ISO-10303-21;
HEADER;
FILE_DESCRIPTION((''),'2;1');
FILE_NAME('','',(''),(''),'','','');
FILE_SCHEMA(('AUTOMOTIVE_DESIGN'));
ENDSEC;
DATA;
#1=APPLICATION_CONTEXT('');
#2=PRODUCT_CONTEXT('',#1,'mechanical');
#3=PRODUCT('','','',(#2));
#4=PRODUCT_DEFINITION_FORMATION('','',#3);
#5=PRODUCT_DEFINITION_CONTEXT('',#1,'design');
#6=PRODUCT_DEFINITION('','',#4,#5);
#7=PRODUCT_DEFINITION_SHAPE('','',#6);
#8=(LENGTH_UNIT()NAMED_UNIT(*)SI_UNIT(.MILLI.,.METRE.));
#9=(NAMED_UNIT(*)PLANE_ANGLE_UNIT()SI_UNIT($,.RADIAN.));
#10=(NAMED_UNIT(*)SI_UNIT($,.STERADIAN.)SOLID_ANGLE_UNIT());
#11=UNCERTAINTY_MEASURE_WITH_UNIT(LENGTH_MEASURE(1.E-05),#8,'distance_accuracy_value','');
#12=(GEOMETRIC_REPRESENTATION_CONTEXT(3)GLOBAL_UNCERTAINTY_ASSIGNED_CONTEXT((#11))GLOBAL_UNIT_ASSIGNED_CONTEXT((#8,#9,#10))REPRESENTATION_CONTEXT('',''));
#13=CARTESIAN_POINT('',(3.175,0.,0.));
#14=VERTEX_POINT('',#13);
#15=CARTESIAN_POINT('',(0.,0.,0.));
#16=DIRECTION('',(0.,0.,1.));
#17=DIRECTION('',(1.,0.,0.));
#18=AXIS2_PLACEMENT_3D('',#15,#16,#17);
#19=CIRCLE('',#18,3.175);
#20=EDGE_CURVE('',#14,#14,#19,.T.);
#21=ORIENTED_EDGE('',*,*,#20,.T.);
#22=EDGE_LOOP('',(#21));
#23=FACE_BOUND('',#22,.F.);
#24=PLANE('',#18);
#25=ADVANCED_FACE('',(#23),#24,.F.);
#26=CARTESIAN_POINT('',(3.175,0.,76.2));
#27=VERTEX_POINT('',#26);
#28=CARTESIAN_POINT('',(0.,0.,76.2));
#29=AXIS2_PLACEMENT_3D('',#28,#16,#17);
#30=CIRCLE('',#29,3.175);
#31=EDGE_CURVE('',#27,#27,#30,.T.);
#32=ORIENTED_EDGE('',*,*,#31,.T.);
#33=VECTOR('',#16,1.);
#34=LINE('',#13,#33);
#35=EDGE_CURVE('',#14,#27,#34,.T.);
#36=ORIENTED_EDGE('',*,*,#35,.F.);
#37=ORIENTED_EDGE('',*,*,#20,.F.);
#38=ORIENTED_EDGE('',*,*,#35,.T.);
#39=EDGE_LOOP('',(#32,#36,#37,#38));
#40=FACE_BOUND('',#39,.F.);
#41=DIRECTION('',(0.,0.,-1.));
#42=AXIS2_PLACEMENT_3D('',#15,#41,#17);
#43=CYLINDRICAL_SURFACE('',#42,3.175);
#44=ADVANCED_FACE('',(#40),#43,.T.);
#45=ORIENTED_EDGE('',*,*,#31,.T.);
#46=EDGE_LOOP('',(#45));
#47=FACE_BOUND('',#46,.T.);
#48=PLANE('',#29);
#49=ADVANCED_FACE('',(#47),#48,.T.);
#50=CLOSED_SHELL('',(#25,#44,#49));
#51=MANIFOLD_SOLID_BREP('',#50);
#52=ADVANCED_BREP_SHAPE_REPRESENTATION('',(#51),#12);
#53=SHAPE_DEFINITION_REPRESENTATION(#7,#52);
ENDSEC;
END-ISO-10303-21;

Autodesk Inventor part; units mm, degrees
ref_plane "YZ Plane" through (0, 0, 0) normal (1, 0, 0) x (0, 1, 0)
ref_plane "XZ Plane" through (0, 0, 0) normal (0, 1, 0) x (-1, 0, 0)
ref_plane "XY Plane" through (0, 0, 0) normal (0, 0, 1) x (1, 0, 0)
sketch "Sketch1" plane through (0, 0, 0) normal (0, 0, 1) x (1, 0, 0)
  circle A0 centre (0, 0) radius 3.175
  dimension "d0" = 6.35
extrude "Extrusion1" add sketch "Sketch1" along normal blind 76.2
properties part number "bolt" material "Steel"
